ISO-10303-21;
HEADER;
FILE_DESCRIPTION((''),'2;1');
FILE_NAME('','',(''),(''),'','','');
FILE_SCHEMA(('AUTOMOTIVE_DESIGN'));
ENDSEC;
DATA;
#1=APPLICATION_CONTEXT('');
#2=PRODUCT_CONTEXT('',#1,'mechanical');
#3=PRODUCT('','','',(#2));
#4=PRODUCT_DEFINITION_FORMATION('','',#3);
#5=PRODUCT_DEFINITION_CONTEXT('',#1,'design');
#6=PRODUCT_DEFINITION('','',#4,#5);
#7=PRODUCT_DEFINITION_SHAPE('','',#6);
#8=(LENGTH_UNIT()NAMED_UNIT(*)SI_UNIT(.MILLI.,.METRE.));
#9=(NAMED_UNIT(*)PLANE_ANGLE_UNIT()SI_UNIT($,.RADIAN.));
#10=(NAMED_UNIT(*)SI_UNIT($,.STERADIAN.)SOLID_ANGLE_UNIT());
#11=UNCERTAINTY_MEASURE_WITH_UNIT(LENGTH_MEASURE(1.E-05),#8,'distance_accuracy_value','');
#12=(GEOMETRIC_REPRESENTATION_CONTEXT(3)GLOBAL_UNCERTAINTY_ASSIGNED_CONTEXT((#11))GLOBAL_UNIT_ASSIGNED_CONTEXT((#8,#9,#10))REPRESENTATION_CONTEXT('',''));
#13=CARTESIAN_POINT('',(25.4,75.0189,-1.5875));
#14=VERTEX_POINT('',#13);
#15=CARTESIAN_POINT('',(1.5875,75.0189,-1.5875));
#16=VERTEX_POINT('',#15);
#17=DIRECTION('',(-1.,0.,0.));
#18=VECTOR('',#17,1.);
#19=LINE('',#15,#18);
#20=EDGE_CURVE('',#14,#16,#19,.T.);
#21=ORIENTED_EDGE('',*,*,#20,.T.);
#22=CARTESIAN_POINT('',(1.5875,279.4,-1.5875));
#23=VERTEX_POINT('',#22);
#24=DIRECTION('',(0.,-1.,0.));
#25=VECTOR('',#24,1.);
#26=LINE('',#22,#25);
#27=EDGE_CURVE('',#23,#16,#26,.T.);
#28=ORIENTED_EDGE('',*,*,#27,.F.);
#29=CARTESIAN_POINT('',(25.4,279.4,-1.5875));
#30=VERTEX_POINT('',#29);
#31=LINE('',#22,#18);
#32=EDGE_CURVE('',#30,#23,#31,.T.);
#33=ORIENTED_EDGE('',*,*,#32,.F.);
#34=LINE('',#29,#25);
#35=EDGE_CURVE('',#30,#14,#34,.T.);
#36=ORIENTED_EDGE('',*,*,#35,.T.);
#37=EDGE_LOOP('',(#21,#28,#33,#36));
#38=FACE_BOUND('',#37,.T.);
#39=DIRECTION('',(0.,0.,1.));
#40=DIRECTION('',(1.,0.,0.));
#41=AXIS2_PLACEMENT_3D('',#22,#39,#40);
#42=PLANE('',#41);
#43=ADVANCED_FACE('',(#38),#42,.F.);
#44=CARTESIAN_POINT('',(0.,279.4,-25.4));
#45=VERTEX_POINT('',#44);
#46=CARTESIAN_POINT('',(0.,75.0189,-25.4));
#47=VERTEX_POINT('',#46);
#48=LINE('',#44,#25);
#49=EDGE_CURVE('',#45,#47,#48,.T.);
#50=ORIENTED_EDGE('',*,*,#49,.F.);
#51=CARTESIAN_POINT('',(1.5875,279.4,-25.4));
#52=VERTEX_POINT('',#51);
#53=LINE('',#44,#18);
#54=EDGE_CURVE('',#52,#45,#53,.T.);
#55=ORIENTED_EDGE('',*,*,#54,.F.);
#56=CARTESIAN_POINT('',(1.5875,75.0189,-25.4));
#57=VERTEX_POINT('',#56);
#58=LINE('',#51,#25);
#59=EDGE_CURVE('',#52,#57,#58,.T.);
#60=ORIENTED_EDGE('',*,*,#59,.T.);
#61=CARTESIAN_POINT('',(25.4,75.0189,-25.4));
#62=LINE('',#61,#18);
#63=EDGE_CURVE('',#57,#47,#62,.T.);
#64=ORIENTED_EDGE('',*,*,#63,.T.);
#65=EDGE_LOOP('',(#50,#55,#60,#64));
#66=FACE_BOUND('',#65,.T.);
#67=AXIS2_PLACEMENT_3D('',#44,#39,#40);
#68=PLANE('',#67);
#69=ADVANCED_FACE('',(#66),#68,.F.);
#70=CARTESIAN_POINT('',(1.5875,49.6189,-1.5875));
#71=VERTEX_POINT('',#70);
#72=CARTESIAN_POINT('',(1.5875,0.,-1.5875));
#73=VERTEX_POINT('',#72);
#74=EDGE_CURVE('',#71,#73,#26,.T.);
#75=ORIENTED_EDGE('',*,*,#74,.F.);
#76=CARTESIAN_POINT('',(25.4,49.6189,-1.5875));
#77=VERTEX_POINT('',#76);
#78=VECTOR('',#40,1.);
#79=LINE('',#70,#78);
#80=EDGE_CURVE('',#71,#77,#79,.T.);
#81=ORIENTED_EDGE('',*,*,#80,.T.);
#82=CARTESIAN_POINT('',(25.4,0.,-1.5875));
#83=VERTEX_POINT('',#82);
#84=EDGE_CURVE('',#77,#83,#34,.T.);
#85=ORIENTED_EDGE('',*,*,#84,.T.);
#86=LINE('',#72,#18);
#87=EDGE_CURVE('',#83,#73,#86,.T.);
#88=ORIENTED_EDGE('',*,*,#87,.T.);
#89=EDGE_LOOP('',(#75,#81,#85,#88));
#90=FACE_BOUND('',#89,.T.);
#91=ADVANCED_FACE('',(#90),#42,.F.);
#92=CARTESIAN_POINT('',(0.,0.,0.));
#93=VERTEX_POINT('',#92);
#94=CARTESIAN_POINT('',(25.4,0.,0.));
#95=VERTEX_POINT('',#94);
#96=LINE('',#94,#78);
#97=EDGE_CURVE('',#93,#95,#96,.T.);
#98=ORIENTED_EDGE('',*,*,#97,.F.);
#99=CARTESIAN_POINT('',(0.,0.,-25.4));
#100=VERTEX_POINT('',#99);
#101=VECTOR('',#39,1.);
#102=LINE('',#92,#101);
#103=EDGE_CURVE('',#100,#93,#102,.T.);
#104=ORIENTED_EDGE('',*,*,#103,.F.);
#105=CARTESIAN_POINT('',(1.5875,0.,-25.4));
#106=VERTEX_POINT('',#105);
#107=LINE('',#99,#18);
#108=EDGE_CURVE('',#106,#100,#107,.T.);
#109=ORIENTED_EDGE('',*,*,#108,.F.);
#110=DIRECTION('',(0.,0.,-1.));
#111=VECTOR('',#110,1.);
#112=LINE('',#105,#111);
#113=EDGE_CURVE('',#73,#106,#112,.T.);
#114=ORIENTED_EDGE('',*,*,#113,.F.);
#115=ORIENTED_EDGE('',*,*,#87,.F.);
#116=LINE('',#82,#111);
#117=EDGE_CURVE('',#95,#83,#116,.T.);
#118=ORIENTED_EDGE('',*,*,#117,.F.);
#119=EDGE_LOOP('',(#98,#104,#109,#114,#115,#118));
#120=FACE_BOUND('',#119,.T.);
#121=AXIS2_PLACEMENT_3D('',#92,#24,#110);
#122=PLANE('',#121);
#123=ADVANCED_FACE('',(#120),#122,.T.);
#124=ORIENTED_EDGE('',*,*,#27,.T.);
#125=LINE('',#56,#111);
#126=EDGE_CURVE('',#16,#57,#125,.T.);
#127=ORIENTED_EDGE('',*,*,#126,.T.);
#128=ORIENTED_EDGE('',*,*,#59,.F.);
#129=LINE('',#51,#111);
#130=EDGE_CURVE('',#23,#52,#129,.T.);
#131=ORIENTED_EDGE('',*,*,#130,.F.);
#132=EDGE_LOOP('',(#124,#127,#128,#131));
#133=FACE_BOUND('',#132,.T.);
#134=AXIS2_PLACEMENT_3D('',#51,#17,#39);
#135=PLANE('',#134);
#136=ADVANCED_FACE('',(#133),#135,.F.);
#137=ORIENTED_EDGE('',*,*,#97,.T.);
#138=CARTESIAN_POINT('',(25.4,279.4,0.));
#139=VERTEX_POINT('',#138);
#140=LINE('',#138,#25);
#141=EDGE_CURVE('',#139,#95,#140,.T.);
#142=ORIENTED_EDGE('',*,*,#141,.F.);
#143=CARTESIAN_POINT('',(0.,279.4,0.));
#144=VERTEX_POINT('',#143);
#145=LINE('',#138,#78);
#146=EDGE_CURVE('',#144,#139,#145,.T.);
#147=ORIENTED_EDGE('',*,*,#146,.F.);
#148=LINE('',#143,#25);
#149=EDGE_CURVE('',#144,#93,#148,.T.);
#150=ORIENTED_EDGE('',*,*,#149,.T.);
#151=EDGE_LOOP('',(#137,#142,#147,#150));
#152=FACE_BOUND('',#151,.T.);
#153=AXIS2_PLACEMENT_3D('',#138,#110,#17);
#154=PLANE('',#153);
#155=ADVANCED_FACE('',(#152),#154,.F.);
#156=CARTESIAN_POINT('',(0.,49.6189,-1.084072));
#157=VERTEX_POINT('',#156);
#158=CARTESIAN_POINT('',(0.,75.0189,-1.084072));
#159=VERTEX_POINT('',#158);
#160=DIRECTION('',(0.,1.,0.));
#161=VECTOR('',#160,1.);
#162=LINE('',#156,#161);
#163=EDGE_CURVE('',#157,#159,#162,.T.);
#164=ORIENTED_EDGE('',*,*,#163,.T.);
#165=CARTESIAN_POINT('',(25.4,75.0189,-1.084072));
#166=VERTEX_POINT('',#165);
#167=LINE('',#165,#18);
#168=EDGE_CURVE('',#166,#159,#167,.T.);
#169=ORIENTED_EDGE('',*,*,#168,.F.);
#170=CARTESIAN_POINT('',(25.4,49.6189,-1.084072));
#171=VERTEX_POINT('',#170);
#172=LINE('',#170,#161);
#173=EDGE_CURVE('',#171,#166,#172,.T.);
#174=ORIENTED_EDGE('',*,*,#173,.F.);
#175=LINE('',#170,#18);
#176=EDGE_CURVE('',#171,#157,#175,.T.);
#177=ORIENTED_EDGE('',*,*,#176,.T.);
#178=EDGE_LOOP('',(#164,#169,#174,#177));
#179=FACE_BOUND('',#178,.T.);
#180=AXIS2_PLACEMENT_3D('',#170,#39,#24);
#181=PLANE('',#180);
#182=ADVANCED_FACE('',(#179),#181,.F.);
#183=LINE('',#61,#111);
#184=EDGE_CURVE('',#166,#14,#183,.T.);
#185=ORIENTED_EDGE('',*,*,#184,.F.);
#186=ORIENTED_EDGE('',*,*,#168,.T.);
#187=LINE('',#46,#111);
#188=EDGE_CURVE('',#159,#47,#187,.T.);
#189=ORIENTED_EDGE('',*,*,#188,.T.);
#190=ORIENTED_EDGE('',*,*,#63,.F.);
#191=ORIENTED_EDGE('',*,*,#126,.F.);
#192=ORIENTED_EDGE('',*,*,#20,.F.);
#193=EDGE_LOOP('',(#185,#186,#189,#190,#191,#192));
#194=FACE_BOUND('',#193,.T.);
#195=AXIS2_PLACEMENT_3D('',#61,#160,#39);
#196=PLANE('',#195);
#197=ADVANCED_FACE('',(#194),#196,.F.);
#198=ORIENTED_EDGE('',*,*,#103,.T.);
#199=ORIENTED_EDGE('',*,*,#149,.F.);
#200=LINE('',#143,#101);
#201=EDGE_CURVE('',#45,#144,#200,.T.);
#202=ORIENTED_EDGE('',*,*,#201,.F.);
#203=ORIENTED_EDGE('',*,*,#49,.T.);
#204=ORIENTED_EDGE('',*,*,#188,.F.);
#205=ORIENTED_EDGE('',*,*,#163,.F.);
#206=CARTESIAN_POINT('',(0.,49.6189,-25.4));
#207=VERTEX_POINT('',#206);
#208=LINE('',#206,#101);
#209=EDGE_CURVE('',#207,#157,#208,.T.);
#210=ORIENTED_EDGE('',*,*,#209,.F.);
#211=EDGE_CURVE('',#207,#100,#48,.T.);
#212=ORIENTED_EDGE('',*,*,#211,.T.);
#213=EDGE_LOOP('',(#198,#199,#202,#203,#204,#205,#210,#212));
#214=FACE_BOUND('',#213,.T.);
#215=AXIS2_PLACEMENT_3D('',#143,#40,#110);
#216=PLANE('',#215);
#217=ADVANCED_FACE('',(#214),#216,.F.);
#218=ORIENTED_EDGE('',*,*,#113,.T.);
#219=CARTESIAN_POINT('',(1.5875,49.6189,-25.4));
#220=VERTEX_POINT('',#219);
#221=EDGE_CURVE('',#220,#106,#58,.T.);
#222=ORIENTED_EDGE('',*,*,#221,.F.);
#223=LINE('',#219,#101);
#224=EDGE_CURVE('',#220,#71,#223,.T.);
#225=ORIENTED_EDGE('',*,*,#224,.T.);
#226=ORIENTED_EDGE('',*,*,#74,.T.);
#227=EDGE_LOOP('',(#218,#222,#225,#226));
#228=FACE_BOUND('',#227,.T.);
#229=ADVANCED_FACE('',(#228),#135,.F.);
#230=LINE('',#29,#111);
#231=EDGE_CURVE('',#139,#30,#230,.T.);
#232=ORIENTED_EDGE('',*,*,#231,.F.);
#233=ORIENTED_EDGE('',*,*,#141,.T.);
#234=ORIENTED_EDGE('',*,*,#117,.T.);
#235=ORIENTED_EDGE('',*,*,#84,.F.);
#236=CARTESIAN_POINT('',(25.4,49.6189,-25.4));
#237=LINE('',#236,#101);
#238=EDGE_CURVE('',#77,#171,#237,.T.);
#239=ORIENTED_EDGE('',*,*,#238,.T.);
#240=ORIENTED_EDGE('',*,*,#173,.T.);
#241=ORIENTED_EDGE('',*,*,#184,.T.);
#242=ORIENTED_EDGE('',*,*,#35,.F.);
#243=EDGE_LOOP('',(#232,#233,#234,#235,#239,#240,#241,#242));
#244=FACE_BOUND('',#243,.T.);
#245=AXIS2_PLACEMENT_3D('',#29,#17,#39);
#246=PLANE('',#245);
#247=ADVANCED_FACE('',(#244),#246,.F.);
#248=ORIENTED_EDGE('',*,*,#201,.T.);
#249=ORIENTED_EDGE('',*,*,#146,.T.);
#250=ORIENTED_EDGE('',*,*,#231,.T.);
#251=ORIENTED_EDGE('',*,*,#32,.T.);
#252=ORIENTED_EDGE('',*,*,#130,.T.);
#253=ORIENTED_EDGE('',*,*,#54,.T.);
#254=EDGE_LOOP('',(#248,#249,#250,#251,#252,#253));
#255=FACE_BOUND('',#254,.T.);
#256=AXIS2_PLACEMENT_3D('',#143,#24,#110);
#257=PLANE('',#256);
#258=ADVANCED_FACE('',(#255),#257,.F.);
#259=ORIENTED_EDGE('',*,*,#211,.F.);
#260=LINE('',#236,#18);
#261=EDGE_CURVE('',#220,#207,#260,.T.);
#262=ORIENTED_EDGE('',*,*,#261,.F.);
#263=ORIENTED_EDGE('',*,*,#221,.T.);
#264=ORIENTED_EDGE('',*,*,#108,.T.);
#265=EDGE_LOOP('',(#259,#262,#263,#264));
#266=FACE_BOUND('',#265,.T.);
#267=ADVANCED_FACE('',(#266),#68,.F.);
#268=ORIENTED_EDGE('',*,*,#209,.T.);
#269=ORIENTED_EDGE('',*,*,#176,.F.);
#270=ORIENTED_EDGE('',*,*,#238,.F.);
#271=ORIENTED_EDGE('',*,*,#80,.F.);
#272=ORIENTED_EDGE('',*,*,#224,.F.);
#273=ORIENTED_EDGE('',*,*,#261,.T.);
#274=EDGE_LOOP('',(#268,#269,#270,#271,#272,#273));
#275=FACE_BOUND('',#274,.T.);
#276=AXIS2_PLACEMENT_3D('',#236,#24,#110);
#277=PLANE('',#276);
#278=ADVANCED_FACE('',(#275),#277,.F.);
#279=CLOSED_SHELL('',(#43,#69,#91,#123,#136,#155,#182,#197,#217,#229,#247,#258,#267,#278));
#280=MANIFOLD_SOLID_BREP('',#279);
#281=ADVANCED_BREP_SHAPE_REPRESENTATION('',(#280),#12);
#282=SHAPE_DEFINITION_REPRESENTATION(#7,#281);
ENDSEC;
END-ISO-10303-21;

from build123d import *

# Parameters (mm, degrees)
BOSS_EXTRUDE1_DEPTH = 279.4
SKETCH4_W           = 24.315928
SKETCH4_H           = 25.4
CUT_EXTRUDE1_DEPTH  = 26.4


with BuildPart() as part:
    # Sketch1 → Boss-Extrude1 (new body)
    with BuildSketch(Plane(origin=(0, 0, 0), x_dir=(1, 0, 0), z_dir=(0, 1, 0))):
        Polygon((0, 0), (0, 25.4), (1.5875, 25.4), (1.5875, 1.5875), (25.4, 1.5875), (25.4, 0), align=None)
    extrude(amount=BOSS_EXTRUDE1_DEPTH)

    # Sketch4 → Cut-Extrude1 (cut, through all)
    with BuildSketch(Plane.ZY):
        with Locations((-13.242036, 62.3189)):
            Rectangle(SKETCH4_W, SKETCH4_H)
    extrude(amount=-CUT_EXTRUDE1_DEPTH, mode=Mode.SUBTRACT)


solid = part.part
